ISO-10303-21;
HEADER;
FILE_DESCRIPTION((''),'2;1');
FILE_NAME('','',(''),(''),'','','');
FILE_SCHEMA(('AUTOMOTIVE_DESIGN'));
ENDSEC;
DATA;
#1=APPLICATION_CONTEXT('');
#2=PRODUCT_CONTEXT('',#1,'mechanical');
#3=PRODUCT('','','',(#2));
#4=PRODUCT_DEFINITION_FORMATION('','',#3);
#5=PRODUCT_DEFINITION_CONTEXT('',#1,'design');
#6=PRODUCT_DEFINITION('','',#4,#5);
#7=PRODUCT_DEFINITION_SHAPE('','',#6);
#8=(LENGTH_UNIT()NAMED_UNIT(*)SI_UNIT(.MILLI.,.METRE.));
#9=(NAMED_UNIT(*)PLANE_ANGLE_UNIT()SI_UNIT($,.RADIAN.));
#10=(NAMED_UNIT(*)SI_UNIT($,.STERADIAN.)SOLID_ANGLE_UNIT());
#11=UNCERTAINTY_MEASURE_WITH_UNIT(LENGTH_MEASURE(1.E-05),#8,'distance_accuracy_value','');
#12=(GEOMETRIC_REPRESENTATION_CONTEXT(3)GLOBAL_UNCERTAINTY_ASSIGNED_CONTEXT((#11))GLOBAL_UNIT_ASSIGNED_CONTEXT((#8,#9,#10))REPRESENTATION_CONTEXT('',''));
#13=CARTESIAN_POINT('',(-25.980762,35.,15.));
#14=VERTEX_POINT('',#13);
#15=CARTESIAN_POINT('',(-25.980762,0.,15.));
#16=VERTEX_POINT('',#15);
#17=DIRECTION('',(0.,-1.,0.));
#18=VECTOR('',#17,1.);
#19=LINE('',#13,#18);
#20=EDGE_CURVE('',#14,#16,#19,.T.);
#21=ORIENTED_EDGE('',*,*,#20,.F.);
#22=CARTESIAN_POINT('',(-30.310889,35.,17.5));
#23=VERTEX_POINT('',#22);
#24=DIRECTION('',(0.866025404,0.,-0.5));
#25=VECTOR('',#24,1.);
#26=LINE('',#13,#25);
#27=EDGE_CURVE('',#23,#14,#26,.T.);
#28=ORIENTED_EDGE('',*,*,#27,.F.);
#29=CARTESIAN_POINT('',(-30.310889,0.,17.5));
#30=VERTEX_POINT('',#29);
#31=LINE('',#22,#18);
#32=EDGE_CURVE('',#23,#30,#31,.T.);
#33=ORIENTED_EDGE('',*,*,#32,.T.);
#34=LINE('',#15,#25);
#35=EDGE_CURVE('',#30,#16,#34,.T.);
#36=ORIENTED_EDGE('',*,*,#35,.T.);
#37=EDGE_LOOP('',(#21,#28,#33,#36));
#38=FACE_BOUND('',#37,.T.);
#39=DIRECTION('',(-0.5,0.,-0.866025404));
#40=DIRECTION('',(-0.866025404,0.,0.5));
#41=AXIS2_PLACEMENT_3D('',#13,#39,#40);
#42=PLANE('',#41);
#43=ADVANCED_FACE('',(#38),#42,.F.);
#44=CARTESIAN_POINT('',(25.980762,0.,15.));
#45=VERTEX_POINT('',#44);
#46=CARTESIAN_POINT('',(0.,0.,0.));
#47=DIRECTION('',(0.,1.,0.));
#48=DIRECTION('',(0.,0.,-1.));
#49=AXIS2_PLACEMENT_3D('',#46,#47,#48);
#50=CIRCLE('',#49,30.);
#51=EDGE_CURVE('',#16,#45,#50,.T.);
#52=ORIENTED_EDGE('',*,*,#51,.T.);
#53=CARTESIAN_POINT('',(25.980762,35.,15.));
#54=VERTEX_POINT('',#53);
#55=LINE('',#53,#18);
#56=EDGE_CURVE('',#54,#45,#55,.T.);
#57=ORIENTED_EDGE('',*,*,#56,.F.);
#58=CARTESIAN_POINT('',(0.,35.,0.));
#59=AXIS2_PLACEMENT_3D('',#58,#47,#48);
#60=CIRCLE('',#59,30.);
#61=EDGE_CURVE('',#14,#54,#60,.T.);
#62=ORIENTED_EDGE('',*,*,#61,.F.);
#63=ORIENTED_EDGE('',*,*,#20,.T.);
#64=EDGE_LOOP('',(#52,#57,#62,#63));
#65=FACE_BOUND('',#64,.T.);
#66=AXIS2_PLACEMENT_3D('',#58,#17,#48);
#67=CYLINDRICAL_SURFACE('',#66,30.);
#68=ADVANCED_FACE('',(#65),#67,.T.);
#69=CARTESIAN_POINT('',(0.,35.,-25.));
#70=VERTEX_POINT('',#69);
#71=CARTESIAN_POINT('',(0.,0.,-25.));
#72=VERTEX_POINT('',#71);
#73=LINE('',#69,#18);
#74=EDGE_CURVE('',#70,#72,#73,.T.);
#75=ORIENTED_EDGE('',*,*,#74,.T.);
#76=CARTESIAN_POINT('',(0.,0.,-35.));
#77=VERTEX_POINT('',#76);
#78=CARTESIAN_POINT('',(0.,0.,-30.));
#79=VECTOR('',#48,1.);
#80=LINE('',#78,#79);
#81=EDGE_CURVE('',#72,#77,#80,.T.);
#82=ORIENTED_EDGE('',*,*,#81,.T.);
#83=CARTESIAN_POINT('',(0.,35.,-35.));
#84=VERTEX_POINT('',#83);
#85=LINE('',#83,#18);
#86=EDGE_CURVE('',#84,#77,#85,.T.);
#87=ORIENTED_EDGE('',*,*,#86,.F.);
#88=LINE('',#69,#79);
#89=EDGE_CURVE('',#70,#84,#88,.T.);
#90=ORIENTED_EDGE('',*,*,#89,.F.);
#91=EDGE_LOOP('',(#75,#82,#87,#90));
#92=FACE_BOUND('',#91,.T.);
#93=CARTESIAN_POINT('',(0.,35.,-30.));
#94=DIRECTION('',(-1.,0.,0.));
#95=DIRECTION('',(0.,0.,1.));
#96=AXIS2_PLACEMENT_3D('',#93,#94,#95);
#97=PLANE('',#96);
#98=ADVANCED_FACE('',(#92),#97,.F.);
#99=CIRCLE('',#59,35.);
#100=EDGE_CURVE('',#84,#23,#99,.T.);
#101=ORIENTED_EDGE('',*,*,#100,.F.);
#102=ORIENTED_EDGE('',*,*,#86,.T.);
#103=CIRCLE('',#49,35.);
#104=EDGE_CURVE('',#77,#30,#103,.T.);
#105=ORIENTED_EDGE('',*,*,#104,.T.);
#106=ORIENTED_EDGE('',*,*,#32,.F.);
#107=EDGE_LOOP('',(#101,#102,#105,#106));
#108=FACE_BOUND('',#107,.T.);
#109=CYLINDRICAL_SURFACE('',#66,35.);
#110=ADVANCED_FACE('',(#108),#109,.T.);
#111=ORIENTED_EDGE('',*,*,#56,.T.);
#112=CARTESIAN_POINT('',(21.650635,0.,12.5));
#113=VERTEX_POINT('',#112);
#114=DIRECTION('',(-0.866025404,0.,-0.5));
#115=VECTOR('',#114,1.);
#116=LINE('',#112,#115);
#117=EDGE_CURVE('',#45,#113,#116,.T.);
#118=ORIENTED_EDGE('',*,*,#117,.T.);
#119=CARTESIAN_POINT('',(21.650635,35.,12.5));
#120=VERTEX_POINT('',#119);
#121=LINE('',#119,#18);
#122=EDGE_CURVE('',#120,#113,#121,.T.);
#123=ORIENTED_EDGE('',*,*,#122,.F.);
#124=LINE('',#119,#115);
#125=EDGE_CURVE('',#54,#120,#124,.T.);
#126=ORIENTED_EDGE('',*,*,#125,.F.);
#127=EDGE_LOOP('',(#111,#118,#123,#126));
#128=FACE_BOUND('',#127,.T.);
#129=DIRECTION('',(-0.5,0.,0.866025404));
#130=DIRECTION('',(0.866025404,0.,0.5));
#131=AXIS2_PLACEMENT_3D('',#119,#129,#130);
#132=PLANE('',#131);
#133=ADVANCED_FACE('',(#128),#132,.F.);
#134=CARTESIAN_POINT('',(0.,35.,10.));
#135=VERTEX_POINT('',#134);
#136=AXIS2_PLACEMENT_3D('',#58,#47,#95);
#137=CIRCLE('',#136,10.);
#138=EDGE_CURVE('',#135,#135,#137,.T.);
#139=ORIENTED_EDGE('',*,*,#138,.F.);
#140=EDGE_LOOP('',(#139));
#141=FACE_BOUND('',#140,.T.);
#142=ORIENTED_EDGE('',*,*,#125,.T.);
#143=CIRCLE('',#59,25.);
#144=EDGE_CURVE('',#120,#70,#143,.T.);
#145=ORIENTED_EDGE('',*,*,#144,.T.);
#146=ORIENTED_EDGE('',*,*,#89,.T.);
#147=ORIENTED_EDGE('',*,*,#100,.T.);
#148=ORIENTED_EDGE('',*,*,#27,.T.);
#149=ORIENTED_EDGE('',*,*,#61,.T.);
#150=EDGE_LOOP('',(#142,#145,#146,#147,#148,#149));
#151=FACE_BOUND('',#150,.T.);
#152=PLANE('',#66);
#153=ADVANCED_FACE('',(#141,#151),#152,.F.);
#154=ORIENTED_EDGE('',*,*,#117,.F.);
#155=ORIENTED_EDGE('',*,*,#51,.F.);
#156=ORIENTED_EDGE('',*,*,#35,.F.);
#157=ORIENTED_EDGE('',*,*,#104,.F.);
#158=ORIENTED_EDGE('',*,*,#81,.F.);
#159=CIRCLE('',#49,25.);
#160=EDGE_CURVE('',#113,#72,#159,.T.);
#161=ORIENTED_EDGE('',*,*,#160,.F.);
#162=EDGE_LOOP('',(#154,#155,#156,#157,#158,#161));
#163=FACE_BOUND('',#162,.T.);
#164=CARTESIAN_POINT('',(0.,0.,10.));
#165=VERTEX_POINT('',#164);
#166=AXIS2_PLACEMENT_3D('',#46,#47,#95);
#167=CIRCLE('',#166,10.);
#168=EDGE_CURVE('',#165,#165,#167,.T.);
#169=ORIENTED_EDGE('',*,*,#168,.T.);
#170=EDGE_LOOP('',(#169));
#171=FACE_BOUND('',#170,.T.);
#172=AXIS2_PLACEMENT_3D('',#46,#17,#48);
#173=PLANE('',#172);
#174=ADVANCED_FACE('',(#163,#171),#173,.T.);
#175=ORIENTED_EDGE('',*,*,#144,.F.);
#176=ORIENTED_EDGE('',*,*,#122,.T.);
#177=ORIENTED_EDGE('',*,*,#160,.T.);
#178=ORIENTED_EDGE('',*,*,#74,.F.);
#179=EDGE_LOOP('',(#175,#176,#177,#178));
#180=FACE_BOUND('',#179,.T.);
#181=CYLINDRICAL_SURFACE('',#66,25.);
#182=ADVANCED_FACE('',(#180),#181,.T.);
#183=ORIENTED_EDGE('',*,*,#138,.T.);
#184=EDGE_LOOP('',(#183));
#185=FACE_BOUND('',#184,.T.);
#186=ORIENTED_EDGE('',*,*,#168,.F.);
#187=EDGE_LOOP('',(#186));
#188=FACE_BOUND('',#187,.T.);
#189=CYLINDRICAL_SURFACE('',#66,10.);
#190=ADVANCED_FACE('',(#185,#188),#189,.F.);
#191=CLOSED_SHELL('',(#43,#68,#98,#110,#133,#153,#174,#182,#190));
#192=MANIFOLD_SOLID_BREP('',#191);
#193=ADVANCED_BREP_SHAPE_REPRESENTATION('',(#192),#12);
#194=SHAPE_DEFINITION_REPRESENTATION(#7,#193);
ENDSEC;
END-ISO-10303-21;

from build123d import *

# Parameters (mm, degrees)
SKETCH1_R           = 10
BOSS_EXTRUDE1_DEPTH = 35


with BuildPart() as part:
    # Sketch1 → Boss-Extrude1 (new body)
    with BuildSketch(Plane(origin=(0, 0, 0), x_dir=(1, 0, 0), z_dir=(0, 1, 0))):
        with BuildLine():
            Line((0, 25), (0, 30))
            Line((0, 30), (0, 35))
            ThreePointArc((0, 35), (-30.310889132, 17.5), (-30.310889132, -17.5))
            Line((-30.310889132, -17.5), (-25.980762114, -15))
            ThreePointArc((-25.980762114, -15), (0, -30), (25.980762114, -15))
            Line((25.980762114, -15), (21.650635095, -12.5))
            ThreePointArc((21.650635095, -12.5), (21.650635095, 12.5), (0, 25))
        make_face()
        with Locations(Location((0, 0, 0), (0, 0, 270))):
            Circle(SKETCH1_R, mode=Mode.SUBTRACT)
    extrude(amount=BOSS_EXTRUDE1_DEPTH)


solid = part.part
